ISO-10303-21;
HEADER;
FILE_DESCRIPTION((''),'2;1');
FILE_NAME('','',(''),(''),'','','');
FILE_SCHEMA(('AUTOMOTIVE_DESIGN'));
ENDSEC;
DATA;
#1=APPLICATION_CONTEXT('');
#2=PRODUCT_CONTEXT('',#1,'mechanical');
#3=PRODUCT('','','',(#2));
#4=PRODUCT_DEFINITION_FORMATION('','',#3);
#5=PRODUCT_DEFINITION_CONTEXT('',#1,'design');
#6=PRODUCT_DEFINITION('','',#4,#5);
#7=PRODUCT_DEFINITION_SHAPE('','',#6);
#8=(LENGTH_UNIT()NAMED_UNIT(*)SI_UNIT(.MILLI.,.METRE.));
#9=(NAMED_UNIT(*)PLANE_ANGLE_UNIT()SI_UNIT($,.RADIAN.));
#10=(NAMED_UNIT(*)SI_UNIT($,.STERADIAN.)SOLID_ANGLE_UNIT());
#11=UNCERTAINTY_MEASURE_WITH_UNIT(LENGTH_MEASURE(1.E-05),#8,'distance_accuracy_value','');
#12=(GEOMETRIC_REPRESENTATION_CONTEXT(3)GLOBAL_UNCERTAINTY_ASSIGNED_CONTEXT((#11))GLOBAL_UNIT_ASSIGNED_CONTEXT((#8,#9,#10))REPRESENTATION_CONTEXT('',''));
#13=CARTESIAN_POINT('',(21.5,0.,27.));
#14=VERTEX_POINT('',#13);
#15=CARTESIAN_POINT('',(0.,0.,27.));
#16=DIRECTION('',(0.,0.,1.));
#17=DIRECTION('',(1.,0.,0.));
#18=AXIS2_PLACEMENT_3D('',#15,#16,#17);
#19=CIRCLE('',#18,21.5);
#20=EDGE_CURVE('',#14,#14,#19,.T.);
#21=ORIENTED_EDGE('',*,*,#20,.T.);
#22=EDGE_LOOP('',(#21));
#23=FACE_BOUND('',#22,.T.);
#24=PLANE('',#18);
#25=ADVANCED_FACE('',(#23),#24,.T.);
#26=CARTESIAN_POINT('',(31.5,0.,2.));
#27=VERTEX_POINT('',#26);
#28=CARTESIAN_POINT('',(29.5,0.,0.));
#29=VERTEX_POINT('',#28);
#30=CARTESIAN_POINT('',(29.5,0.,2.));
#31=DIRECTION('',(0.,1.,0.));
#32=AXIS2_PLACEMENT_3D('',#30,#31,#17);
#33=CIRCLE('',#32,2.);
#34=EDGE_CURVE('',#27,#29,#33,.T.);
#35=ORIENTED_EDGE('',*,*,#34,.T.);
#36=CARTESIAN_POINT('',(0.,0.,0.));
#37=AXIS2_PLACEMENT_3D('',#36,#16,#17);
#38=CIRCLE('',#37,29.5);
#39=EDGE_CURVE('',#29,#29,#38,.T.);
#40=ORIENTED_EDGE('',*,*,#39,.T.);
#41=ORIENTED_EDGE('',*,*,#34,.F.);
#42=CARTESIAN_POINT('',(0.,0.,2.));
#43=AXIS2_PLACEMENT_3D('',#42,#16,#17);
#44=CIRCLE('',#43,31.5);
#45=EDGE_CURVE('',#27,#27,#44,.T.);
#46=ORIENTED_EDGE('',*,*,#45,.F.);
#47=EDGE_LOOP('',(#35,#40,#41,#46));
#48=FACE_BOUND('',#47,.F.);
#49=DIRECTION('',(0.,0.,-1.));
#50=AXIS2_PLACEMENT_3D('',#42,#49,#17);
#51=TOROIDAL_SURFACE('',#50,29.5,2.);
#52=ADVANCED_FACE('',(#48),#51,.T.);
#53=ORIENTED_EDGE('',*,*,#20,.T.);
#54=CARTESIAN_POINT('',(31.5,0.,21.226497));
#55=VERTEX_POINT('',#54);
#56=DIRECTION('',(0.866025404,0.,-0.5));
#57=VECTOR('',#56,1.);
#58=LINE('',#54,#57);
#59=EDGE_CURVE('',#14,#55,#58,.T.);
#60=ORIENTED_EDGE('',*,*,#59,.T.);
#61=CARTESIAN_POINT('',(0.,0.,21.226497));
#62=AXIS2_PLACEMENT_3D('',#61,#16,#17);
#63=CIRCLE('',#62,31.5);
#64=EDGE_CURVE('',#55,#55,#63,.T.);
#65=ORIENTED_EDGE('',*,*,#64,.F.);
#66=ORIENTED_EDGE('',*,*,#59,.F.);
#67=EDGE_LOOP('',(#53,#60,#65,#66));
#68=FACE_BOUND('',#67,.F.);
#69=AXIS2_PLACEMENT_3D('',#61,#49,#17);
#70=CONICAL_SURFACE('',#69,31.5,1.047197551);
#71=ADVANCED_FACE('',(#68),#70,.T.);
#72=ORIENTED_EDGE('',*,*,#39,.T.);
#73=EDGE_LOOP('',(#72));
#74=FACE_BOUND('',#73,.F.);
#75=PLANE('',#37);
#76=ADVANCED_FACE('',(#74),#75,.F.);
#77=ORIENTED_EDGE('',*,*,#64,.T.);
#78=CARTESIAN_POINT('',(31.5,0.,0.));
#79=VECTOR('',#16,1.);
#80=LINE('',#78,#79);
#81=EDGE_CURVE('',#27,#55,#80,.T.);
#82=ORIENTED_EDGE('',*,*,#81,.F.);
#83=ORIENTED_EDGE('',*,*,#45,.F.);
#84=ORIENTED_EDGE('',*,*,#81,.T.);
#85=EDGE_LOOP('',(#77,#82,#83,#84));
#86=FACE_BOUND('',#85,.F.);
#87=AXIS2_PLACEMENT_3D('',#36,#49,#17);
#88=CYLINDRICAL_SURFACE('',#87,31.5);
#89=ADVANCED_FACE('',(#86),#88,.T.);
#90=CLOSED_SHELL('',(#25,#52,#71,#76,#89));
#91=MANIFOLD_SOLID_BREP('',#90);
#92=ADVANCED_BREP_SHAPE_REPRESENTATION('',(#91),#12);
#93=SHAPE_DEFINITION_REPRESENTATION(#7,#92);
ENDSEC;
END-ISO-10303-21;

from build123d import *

# Parameters (mm, degrees)
F0_R     = 31.5
F1_DEPTH = 27
F2_SIZE2 = 5.7735026919
F2_SIZE  = 10
F3_R     = 2


with BuildPart() as f1:
    # F0 (on Top) → F1 (new body)
    with BuildSketch(Plane.XY):
        Circle(F0_R)
    extrude(amount=F1_DEPTH)

    # F2
    f2_edges = [f1.edges().sort_by_distance(p)[0] for p in [
        (-31.5, 0, 27),
    ]]
    f2_side = f1.faces().sort_by_distance((0, 0, 27))[0]
    chamfer(f2_edges, length=F2_SIZE, length2=F2_SIZE2, reference=f2_side)

    # F3
    f3_edges = [f1.edges().sort_by_distance(p)[0] for p in [
        (-31.5, 0, 0),
    ]]
    fillet(f3_edges, radius=F3_R)


solid = f1.part
